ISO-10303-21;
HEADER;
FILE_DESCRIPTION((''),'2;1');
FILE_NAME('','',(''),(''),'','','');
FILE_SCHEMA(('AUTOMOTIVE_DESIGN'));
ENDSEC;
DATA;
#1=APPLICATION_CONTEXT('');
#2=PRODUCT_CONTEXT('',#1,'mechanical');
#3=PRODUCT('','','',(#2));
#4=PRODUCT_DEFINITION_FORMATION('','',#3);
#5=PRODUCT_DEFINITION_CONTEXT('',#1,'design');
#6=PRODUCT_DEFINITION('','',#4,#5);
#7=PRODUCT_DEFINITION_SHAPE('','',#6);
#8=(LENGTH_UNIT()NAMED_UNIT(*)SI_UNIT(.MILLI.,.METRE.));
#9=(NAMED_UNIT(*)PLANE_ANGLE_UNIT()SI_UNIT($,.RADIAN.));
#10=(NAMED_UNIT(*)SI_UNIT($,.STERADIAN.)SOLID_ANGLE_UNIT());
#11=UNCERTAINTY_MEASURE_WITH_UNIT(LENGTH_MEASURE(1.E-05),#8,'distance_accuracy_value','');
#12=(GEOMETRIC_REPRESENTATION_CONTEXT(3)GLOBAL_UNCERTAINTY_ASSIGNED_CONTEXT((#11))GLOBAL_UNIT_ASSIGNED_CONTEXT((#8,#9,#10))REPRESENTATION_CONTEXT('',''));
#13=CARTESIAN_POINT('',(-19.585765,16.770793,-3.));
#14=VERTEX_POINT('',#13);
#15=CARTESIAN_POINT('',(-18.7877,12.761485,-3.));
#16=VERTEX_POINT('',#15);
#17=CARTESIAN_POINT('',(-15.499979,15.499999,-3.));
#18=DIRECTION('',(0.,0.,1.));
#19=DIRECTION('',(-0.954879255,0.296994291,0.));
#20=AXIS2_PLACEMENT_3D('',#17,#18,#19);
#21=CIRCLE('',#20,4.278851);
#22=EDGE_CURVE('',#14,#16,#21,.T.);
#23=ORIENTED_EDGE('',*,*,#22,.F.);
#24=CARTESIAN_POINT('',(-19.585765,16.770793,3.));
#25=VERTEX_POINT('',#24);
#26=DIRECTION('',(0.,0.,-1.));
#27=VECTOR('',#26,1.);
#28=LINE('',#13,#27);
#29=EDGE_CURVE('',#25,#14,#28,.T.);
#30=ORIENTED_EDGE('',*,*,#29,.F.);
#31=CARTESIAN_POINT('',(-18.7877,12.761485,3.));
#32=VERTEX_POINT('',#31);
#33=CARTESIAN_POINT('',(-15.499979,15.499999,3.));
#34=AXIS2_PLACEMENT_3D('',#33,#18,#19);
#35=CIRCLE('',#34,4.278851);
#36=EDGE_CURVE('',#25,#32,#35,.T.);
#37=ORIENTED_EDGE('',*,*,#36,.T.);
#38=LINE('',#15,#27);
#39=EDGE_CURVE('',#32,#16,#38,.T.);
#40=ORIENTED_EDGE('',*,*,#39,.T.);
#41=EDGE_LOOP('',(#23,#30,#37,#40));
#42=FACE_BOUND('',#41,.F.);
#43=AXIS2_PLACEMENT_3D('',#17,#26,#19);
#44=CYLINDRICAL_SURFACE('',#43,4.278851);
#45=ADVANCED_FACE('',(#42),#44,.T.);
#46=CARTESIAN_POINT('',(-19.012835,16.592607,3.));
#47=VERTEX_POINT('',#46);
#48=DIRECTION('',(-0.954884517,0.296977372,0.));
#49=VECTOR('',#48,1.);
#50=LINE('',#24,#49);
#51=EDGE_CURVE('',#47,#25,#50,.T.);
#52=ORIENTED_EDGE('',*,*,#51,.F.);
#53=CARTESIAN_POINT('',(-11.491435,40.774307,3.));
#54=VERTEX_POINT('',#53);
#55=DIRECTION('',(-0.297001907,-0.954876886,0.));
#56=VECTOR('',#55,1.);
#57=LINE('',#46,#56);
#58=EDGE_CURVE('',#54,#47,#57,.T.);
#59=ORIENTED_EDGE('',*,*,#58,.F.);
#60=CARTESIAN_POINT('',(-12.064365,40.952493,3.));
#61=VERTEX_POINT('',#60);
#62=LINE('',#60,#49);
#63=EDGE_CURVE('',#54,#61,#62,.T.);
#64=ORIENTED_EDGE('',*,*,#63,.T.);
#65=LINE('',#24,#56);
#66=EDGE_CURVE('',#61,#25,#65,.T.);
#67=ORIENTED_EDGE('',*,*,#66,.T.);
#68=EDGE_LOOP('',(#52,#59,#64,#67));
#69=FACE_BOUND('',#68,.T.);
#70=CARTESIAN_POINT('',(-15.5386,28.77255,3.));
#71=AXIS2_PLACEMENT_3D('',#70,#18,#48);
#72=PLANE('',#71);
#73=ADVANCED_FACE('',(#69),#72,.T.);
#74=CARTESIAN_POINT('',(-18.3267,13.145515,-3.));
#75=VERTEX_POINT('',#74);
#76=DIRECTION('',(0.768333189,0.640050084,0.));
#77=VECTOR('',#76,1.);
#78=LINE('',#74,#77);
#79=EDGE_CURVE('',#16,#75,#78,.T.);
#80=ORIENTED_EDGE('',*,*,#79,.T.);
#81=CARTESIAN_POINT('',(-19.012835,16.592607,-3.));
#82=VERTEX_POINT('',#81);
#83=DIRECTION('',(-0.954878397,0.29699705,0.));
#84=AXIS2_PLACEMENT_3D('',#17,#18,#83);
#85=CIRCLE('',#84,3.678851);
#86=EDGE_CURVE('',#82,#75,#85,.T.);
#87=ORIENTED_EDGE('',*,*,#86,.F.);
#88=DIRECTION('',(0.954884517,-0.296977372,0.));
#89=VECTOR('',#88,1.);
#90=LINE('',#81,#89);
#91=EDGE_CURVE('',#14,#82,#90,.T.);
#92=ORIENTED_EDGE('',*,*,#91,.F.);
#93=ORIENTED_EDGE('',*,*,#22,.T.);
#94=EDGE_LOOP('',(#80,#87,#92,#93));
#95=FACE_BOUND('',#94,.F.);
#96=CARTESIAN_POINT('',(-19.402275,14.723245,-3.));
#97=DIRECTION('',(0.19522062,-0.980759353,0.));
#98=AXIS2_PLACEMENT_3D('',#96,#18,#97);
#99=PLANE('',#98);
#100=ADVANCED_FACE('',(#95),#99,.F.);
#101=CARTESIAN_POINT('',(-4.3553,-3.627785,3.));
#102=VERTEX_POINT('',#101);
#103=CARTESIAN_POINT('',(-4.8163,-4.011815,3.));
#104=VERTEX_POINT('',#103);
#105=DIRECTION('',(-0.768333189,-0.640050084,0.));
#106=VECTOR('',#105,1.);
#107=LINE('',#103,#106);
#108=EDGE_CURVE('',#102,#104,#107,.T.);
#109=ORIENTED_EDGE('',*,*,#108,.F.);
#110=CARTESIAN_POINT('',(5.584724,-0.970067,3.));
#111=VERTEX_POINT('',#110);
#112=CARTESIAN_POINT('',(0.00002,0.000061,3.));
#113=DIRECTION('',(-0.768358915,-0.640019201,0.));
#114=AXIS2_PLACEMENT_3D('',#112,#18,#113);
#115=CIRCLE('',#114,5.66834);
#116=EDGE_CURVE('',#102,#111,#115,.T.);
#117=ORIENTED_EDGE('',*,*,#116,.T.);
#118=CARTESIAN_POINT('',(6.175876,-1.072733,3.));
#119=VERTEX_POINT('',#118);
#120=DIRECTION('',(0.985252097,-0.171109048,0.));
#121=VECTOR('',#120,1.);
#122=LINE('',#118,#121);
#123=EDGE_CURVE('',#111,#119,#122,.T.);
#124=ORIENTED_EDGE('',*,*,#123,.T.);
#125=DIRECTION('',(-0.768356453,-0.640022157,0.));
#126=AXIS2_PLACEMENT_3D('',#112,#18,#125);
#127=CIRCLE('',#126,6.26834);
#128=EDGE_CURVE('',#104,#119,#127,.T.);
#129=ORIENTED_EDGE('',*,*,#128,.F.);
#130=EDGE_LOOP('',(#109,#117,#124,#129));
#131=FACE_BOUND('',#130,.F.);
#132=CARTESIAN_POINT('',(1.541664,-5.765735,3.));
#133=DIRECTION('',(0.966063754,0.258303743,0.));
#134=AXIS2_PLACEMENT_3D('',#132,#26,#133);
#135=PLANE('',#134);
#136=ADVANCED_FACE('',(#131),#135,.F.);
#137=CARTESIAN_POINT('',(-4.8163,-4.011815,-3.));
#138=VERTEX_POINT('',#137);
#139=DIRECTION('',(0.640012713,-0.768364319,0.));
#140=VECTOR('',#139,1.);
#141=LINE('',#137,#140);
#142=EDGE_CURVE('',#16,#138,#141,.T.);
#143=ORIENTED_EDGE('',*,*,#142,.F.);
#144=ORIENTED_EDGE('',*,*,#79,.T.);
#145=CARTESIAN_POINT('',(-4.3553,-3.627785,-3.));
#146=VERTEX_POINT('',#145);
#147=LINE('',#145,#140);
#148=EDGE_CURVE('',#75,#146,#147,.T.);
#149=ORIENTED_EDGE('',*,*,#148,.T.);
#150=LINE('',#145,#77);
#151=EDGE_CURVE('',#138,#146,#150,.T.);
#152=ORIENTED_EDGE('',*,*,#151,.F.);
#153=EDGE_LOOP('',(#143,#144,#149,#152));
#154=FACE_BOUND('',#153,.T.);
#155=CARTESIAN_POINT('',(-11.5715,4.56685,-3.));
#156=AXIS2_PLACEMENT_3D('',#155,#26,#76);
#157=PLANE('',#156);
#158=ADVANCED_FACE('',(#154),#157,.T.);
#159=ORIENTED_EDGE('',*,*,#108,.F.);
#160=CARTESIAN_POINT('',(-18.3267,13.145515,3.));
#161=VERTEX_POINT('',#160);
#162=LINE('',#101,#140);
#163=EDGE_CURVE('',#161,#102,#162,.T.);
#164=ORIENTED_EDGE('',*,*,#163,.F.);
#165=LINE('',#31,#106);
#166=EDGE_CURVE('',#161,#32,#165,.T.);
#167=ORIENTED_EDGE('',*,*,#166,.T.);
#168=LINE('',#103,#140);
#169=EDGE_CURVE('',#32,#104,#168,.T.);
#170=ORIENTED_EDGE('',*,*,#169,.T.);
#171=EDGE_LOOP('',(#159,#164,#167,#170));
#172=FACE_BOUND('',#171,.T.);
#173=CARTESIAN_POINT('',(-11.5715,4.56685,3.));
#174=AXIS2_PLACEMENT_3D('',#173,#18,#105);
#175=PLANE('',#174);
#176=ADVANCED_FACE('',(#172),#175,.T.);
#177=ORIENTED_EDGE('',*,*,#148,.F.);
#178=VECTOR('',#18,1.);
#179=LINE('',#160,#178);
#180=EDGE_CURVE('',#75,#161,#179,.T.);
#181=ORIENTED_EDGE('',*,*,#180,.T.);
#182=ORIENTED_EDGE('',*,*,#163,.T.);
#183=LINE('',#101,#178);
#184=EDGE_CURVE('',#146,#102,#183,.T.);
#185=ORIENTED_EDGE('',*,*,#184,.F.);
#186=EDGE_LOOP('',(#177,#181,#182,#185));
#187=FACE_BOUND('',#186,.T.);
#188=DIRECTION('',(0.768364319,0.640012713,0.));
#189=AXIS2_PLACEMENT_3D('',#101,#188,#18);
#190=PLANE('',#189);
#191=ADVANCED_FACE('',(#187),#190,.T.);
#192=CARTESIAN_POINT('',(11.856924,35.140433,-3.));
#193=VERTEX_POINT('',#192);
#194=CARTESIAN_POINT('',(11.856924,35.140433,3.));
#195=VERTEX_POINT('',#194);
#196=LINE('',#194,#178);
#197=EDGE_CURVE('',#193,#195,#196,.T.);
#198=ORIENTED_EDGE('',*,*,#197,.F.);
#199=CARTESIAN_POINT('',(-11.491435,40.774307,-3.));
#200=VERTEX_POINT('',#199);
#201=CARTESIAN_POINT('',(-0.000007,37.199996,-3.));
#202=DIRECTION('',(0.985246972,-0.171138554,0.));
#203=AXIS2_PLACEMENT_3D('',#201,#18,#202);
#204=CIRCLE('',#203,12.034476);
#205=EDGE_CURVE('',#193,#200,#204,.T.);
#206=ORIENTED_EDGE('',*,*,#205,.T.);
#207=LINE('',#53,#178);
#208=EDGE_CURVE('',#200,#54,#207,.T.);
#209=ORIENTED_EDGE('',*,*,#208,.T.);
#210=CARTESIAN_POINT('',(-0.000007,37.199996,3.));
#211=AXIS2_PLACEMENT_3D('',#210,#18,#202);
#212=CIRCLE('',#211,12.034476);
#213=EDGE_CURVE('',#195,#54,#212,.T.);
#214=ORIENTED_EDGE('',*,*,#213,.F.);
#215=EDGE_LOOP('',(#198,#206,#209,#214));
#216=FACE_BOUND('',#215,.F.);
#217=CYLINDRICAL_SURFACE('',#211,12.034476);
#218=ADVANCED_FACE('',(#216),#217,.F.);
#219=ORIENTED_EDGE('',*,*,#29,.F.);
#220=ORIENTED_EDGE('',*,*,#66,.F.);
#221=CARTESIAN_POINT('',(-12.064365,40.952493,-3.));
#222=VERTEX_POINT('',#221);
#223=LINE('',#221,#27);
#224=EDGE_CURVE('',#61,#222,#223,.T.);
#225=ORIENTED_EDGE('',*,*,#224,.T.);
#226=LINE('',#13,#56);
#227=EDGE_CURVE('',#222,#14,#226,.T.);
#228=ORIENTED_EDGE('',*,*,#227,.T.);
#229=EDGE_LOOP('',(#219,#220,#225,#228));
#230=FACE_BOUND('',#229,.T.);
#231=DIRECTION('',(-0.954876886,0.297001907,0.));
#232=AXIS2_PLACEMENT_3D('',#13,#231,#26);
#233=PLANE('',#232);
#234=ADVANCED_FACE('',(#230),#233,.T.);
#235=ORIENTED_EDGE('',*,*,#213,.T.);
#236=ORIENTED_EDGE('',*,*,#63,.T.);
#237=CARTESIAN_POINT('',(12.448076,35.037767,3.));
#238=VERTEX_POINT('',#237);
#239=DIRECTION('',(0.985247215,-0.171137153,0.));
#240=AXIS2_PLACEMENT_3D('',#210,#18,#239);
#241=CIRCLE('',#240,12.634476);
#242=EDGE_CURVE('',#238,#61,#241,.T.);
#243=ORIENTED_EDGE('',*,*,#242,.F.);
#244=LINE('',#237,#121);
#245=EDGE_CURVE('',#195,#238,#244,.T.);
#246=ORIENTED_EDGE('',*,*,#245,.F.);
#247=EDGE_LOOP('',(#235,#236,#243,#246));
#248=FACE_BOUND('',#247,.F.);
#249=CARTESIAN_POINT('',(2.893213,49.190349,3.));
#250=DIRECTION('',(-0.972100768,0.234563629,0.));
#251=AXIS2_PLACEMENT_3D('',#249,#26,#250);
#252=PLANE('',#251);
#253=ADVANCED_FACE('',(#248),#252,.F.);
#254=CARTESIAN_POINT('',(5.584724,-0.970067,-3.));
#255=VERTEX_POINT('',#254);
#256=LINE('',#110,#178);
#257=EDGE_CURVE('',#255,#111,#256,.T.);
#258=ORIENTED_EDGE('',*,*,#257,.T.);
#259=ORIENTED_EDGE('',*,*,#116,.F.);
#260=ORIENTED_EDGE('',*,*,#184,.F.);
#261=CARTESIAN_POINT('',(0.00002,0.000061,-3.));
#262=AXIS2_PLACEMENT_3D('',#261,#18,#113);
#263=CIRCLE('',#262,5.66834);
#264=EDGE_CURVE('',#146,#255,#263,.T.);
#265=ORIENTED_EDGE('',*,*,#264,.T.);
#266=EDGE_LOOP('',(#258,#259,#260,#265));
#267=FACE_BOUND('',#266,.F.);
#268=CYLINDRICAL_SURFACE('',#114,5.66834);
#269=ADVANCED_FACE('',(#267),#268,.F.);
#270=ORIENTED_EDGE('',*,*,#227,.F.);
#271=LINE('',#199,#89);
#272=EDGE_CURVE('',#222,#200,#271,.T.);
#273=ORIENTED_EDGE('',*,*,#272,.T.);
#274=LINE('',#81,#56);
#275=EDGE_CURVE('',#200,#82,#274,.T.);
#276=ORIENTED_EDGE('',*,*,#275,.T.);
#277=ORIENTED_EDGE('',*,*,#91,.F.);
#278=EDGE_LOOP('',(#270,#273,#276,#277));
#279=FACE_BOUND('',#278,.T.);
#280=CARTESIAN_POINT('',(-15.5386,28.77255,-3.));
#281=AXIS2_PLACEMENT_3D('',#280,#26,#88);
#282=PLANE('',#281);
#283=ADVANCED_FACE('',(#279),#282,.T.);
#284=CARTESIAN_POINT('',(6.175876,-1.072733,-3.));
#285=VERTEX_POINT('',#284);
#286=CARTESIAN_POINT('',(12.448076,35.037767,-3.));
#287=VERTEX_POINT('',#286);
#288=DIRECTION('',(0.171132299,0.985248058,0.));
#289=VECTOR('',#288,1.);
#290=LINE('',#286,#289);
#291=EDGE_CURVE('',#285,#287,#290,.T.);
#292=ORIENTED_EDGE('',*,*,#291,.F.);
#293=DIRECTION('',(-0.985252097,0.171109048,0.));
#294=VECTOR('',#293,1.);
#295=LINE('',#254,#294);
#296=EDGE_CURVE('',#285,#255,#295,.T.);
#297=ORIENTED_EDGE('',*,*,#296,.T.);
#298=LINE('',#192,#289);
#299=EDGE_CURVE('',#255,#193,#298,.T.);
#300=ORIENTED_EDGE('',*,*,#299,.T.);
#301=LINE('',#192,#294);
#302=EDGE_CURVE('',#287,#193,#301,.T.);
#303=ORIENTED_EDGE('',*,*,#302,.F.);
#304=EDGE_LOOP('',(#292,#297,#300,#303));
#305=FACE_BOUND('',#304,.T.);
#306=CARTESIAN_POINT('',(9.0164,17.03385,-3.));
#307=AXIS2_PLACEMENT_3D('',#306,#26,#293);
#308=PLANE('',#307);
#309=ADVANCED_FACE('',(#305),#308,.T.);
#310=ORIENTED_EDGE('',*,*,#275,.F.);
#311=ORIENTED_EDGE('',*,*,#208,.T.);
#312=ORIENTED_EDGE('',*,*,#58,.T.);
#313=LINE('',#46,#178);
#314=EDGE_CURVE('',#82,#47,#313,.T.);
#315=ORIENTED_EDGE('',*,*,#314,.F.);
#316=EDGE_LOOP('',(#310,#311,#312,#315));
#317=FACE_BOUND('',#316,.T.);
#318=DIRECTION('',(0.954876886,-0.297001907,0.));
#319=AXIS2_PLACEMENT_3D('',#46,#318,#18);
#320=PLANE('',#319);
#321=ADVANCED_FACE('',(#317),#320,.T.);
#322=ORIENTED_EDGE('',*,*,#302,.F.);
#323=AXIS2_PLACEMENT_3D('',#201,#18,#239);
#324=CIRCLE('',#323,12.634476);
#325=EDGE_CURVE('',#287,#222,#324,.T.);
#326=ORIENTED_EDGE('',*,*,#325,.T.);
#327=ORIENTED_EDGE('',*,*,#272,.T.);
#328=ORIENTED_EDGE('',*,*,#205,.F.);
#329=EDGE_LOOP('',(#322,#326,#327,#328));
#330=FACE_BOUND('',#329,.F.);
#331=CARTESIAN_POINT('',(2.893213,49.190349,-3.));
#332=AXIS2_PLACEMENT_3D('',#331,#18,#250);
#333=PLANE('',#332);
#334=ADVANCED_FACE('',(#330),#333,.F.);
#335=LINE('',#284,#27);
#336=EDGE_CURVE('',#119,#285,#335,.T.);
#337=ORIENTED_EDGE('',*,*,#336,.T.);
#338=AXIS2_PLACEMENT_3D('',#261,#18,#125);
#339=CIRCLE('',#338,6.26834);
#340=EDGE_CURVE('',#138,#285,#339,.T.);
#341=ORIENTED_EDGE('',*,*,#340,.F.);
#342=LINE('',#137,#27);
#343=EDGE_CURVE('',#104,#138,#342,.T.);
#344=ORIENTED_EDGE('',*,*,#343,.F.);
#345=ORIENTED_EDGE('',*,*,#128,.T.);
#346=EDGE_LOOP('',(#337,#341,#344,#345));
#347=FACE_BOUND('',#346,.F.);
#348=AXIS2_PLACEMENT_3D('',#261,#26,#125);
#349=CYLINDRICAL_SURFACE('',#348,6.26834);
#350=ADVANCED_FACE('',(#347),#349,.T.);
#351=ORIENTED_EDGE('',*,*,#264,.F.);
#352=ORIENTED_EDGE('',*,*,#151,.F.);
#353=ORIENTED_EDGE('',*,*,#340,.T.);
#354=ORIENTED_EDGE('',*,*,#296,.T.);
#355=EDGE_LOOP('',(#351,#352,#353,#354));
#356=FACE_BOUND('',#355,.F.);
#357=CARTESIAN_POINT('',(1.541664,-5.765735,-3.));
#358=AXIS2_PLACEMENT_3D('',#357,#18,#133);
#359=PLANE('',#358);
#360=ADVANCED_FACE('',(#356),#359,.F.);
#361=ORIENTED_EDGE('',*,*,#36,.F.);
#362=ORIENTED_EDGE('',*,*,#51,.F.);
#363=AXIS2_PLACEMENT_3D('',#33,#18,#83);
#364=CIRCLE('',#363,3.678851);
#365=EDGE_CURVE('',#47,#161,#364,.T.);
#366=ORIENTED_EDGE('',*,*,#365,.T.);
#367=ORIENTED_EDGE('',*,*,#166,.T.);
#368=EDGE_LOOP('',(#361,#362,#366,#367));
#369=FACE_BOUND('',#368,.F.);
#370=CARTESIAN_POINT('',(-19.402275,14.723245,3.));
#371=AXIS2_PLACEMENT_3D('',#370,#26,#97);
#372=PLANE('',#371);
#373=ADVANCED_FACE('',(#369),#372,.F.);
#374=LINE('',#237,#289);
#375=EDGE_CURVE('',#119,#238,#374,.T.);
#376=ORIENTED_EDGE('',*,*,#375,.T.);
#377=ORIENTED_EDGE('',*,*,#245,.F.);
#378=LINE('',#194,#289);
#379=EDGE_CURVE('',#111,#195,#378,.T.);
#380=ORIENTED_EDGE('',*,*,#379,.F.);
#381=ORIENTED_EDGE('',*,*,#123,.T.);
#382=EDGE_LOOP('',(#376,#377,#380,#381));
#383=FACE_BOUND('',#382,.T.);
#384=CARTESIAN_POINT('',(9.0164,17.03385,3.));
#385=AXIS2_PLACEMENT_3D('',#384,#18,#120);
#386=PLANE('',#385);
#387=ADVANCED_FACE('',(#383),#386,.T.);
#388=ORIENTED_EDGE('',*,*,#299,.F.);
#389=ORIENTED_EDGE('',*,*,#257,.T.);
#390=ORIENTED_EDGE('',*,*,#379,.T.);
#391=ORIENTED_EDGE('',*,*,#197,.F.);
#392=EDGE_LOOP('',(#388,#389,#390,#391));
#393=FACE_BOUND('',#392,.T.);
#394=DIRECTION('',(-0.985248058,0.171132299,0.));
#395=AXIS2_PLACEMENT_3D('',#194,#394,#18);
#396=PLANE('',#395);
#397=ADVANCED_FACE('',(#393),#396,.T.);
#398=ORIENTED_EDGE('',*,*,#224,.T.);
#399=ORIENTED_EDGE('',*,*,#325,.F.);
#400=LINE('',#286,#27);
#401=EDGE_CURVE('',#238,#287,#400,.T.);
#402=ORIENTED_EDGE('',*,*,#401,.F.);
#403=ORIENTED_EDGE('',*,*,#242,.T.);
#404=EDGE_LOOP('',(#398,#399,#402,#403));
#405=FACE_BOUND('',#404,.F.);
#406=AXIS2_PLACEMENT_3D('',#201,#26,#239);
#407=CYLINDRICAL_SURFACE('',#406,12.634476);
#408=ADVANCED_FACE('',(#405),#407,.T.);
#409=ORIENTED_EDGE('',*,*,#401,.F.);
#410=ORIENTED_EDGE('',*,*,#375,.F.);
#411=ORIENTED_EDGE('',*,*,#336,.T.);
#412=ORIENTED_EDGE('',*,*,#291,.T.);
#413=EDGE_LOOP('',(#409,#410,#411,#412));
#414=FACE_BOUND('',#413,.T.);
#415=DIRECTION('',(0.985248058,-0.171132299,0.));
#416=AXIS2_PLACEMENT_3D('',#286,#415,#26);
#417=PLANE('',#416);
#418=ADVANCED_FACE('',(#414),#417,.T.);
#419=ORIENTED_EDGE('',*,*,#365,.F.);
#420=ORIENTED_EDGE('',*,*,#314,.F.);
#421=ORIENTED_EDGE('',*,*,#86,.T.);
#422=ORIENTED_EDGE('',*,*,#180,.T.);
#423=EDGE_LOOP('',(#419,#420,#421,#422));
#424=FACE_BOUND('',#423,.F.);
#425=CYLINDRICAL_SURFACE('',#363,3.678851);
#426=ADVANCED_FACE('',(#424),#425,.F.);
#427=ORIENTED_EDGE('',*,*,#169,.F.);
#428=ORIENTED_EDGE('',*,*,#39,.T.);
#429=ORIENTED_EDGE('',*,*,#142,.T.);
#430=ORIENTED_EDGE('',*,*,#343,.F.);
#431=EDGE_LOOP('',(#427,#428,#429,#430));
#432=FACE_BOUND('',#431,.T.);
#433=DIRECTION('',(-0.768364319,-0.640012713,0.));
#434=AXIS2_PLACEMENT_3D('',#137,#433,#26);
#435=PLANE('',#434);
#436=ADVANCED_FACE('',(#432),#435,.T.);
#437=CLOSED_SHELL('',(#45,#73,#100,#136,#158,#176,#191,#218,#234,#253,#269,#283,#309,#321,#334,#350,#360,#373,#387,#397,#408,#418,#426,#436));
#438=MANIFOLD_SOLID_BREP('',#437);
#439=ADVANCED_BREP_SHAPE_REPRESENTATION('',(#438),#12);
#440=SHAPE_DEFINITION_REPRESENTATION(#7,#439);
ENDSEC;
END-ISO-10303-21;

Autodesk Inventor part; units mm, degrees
sketch "Sketch Path" plane through (0, 0, 0) normal (0, 0, 1) x (1, 0, 0)
  arc A0 (-4.5858, -3.8198) -> (5.8803, -1.0214) centre (0, 0) ccw
  arc A1 (-19.2993, 16.6817) -> (-18.5572, 12.9535) centre (-15.5, 15.5) ccw
  arc A2 (12.1525, 35.0891) -> (-11.7779, 40.8634) centre (0, 37.2) ccw
  line L0 (12.1525, 35.0891) -> (5.8803, -1.0214)
  line L1 (-4.5858, -3.8198) -> (-18.5572, 12.9535)
  line L2 (-19.2993, 16.6817) -> (-11.7779, 40.8634)
ref_plane "Cross Section Plane" through (5.8803, -1.0214, 0) normal (0.1711, 0.9852, 0) x (0, 0, 1)
ref_plane "Work Plane2" through (0, 0, 0) normal (-1, 0, 0) x (0, 0, 1)
ref_plane "Work Plane3" through (-15.5, 15.5, 0) normal (0.2665, -0.9638, 0) x (0, 0, 1)
ref_plane "Work Plane4" through (0, 37.2, 0) normal (-0.4762, -0.8793, 0) x (0, 0, 1)
sketch "Cross Section" plane through (5.8803, -1.0214, 0) normal (0.1711, 0.9852, 0) x (0, 0, 1)
  line L0 (-3, 0.3) -> (3, 0.3)
  line L1 (3, 0.3) -> (3, -0.3)
  line L2 (3, -0.3) -> (-3, -0.3)
  line L3 (-3, -0.3) -> (-3, 0.3)
  line L4 (-3, 0) -> (3, 0) construction
  point P0 (0, 0)
  point P1 (0, 0)
  dimension "d0" = 6
  dimension "d4" = 0.3
  dimension "d5" = 0.3
sweep "Belt" add profiles "Cross Section" path "Sketch Path"
equation "\"d0\" = da_B"
equation "\"d4\" = da_a"
equation "\"d5\" = da_a2"
equation "\"da_B\" = 6"
equation "\"da_pb\" = 2.5"
equation "\"da_L\" = 138.49893"
equation "\"da_a\" = 0.3"
equation "\"da_S\" = 1.5"
equation "\"da_Beta\" = 20deg"
equation "\"da_Ht\" = 0.7"
equation "\"da_H\" = 1.3"
equation "\"da_a2\" = 0.3"
properties part number "Synchronous Belt" material "Rubber"
